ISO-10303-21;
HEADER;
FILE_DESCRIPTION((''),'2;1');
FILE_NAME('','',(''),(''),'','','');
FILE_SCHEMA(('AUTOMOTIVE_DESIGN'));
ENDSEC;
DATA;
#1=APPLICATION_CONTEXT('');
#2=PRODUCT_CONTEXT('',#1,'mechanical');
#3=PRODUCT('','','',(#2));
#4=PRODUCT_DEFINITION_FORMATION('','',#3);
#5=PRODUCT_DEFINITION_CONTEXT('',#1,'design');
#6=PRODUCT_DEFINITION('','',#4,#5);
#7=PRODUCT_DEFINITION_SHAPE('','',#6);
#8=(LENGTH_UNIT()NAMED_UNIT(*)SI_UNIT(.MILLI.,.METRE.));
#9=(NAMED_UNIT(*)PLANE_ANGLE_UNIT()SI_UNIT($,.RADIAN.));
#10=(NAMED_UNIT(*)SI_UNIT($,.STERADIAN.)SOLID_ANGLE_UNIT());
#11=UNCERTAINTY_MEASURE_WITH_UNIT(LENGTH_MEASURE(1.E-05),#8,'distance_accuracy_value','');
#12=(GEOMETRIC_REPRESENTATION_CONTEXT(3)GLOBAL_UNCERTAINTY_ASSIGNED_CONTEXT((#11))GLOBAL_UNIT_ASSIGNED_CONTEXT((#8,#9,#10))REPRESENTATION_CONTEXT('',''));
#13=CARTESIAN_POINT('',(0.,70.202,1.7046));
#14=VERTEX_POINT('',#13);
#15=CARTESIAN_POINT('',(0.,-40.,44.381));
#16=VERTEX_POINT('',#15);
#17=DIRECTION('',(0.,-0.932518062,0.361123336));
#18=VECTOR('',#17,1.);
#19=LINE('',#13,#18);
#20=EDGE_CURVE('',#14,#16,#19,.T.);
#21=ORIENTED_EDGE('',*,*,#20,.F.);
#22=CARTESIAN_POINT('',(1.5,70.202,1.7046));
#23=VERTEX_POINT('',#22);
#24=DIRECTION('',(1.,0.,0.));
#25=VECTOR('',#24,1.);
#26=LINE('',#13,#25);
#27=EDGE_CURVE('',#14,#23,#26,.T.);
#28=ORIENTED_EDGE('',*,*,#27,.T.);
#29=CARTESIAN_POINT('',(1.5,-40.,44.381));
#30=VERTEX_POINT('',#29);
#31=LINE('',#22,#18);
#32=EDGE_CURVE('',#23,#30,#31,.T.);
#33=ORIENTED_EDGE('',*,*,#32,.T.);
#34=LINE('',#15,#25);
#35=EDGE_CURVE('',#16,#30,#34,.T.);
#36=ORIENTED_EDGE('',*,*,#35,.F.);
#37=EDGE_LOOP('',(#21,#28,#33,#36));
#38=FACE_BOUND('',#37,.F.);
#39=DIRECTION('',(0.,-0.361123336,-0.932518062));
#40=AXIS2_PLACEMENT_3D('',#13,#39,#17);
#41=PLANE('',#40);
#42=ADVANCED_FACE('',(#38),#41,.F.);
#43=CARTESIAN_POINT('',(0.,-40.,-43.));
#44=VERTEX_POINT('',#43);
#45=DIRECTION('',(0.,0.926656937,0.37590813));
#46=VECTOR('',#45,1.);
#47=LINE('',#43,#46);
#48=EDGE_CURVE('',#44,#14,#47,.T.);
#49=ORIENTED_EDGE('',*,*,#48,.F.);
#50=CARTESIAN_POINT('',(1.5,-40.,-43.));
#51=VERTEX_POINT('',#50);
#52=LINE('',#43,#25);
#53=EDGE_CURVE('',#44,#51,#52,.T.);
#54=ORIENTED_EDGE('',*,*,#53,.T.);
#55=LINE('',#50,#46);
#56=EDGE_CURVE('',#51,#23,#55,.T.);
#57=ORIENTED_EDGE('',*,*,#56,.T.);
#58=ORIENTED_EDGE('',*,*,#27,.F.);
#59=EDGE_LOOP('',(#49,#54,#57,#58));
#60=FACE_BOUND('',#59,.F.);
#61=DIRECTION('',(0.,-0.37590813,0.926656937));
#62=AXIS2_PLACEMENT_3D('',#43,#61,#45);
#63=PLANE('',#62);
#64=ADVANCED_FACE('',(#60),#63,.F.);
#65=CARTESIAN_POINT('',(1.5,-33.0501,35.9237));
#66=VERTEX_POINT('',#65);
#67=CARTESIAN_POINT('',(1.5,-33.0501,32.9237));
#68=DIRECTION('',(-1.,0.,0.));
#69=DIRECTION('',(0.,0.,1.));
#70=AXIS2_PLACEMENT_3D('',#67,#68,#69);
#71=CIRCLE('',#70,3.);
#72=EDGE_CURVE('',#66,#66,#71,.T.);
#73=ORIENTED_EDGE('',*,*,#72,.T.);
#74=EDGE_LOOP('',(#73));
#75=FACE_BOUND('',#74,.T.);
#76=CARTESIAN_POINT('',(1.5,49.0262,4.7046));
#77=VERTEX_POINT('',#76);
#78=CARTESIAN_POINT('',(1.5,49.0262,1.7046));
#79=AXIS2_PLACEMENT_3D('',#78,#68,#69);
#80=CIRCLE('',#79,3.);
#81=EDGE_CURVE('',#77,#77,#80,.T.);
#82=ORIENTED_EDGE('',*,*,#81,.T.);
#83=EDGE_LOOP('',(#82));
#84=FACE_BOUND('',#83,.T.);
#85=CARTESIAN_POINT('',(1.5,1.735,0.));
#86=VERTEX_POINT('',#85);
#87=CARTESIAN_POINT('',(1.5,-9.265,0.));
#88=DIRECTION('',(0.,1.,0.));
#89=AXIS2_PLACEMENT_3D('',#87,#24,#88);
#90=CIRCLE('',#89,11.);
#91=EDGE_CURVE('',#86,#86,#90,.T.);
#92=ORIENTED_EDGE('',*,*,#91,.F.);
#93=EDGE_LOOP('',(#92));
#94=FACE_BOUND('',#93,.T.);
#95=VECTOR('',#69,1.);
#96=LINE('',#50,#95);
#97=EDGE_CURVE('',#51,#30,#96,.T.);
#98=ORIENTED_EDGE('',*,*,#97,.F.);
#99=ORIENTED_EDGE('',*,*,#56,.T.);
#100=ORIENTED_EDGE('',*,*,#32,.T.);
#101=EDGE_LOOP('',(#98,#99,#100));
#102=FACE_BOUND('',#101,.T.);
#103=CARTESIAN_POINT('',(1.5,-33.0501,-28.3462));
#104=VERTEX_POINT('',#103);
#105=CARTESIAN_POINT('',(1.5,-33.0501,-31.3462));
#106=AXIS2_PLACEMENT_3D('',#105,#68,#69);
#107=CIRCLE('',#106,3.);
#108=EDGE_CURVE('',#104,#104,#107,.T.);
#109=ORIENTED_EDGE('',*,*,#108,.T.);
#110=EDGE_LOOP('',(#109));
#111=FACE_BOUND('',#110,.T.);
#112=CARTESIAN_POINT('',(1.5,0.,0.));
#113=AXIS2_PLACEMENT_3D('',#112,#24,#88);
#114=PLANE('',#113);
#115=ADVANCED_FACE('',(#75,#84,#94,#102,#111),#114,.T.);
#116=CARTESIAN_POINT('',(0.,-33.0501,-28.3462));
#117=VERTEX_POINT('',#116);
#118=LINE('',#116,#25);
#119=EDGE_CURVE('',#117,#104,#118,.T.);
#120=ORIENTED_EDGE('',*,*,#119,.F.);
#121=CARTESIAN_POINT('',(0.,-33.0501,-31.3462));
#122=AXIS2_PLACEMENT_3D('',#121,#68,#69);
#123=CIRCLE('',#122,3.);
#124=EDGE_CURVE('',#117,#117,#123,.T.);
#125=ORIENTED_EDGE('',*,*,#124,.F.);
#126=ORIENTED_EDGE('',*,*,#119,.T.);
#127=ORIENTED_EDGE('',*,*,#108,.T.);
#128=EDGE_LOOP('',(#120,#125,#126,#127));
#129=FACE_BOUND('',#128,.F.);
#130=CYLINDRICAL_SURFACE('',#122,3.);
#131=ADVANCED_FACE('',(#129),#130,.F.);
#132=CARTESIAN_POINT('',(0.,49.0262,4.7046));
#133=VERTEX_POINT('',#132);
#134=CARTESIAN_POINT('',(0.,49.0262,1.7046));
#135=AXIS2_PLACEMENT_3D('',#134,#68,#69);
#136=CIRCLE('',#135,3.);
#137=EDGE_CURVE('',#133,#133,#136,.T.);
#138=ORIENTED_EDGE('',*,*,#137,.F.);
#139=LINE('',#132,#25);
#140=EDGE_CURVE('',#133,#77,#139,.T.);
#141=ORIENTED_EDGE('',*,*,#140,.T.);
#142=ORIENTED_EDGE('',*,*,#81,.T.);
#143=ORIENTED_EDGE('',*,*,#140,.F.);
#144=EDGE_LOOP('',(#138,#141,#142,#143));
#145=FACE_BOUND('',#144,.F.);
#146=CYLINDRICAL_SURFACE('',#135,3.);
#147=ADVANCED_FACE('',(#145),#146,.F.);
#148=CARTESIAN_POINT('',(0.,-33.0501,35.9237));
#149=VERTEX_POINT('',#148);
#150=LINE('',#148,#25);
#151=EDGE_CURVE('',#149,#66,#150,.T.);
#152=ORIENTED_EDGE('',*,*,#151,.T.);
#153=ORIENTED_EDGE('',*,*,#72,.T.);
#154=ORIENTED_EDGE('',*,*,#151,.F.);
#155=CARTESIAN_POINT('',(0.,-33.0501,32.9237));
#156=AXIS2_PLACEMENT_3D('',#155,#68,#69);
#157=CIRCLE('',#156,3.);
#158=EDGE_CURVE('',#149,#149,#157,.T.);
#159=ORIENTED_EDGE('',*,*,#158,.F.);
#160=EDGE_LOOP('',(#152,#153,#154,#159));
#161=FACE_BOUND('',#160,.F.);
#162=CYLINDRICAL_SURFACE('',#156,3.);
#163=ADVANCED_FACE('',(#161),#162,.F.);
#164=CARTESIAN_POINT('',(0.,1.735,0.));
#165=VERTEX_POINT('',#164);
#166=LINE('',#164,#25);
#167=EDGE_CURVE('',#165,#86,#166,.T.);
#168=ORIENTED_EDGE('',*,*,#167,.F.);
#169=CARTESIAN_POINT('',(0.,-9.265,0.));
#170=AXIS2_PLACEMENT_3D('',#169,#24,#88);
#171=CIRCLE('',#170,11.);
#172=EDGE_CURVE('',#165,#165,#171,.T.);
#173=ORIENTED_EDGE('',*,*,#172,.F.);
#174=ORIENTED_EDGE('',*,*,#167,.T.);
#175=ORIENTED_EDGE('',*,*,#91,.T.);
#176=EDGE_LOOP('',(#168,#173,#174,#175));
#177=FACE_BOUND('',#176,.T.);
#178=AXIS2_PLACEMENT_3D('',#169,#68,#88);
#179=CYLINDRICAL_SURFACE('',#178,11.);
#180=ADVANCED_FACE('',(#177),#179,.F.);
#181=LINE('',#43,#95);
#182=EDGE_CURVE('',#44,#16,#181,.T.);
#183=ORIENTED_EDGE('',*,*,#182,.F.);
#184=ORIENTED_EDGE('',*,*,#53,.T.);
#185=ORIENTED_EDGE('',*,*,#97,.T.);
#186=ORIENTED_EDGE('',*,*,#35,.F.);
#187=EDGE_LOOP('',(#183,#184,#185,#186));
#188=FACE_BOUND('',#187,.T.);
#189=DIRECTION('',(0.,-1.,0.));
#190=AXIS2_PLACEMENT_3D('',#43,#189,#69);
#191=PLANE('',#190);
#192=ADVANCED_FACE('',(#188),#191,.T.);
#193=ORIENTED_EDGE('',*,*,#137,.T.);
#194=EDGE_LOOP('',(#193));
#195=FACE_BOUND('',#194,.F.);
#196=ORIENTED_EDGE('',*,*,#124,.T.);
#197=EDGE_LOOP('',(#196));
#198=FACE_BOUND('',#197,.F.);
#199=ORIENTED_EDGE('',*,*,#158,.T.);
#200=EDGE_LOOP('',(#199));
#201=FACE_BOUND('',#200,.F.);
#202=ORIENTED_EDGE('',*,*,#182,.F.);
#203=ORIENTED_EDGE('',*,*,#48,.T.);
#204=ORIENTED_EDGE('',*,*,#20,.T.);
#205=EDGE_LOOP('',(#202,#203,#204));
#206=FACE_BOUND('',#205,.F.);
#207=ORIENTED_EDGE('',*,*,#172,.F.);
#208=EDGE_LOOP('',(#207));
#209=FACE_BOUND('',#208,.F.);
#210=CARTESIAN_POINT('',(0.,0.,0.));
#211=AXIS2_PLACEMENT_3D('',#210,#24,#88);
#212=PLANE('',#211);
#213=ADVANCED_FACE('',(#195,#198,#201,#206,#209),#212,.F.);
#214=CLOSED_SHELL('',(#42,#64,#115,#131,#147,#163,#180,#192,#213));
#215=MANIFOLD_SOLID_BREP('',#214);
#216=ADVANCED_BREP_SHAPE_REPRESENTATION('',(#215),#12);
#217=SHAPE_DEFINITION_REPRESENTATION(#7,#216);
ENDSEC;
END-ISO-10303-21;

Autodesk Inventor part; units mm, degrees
ref_plane "YZ Plane" through (0, 0, 0) normal (1, 0, 0) x (0, 1, 0)
ref_plane "XZ Plane" through (0, 0, 0) normal (0, 1, 0) x (-1, 0, 0)
ref_plane "XY Plane" through (0, 0, 0) normal (0, 0, 1) x (1, 0, 0)
sketch "Esboço1" plane through (0, 0, 0) normal (1, 0, 0) x (0, 1, 0)
  line L0 (0, 0) -> (0, 43) construction
  line L1 (0, 0) -> (0, -43) construction
  line L2 (0, 0) -> (-40, 0) construction
  line L3 (-40, -43) -> (-40, 44.381)
  line L4 (-40, 0) -> (66, 0) construction
  line L5 (-40, -43) -> (70.202, 1.7046)
  line L6 (70.202, 1.7046) -> (-40, 44.381)
  circle A0 centre (-9.265, 0) radius 11
  line L7 (-326.6157, 155.3746) -> (103.2483, -11.0928)
  dimension "d1" = 43
  dimension "d2" = 43
  dimension "d3" = 40
  dimension "d4" = 106
  dimension "d5" = 22
extrude "Extrusão1" add sketch "Esboço1" along normal blind 1.5
sketch "Esboço2" plane through (0, 0, 0) normal (-1, 0, 0) x (0, 0, 1)
  circle A0 centre (1.7046, 49.0262) radius 3 projected
  circle A1 centre (-31.3462, -33.0501) radius 3 projected
  circle A2 centre (32.9237, -33.0501) radius 3 projected
  point P0 (0, 0)
extrude "Extrusão2" cut sketch "Esboço2" against normal blind 2
sketch "Esboço3" plane through (1.5, 0, 0) normal (1, 0, 0) x (0, 0, -1)
  circle A0 centre (0, -9.265) radius 11 projected
ref_plane "Work Plane1" through (0, 70.202, 1.7046) normal (0, -0.008, 1) x (1, 0, 0)
properties part number "fixação KS traseiro"
